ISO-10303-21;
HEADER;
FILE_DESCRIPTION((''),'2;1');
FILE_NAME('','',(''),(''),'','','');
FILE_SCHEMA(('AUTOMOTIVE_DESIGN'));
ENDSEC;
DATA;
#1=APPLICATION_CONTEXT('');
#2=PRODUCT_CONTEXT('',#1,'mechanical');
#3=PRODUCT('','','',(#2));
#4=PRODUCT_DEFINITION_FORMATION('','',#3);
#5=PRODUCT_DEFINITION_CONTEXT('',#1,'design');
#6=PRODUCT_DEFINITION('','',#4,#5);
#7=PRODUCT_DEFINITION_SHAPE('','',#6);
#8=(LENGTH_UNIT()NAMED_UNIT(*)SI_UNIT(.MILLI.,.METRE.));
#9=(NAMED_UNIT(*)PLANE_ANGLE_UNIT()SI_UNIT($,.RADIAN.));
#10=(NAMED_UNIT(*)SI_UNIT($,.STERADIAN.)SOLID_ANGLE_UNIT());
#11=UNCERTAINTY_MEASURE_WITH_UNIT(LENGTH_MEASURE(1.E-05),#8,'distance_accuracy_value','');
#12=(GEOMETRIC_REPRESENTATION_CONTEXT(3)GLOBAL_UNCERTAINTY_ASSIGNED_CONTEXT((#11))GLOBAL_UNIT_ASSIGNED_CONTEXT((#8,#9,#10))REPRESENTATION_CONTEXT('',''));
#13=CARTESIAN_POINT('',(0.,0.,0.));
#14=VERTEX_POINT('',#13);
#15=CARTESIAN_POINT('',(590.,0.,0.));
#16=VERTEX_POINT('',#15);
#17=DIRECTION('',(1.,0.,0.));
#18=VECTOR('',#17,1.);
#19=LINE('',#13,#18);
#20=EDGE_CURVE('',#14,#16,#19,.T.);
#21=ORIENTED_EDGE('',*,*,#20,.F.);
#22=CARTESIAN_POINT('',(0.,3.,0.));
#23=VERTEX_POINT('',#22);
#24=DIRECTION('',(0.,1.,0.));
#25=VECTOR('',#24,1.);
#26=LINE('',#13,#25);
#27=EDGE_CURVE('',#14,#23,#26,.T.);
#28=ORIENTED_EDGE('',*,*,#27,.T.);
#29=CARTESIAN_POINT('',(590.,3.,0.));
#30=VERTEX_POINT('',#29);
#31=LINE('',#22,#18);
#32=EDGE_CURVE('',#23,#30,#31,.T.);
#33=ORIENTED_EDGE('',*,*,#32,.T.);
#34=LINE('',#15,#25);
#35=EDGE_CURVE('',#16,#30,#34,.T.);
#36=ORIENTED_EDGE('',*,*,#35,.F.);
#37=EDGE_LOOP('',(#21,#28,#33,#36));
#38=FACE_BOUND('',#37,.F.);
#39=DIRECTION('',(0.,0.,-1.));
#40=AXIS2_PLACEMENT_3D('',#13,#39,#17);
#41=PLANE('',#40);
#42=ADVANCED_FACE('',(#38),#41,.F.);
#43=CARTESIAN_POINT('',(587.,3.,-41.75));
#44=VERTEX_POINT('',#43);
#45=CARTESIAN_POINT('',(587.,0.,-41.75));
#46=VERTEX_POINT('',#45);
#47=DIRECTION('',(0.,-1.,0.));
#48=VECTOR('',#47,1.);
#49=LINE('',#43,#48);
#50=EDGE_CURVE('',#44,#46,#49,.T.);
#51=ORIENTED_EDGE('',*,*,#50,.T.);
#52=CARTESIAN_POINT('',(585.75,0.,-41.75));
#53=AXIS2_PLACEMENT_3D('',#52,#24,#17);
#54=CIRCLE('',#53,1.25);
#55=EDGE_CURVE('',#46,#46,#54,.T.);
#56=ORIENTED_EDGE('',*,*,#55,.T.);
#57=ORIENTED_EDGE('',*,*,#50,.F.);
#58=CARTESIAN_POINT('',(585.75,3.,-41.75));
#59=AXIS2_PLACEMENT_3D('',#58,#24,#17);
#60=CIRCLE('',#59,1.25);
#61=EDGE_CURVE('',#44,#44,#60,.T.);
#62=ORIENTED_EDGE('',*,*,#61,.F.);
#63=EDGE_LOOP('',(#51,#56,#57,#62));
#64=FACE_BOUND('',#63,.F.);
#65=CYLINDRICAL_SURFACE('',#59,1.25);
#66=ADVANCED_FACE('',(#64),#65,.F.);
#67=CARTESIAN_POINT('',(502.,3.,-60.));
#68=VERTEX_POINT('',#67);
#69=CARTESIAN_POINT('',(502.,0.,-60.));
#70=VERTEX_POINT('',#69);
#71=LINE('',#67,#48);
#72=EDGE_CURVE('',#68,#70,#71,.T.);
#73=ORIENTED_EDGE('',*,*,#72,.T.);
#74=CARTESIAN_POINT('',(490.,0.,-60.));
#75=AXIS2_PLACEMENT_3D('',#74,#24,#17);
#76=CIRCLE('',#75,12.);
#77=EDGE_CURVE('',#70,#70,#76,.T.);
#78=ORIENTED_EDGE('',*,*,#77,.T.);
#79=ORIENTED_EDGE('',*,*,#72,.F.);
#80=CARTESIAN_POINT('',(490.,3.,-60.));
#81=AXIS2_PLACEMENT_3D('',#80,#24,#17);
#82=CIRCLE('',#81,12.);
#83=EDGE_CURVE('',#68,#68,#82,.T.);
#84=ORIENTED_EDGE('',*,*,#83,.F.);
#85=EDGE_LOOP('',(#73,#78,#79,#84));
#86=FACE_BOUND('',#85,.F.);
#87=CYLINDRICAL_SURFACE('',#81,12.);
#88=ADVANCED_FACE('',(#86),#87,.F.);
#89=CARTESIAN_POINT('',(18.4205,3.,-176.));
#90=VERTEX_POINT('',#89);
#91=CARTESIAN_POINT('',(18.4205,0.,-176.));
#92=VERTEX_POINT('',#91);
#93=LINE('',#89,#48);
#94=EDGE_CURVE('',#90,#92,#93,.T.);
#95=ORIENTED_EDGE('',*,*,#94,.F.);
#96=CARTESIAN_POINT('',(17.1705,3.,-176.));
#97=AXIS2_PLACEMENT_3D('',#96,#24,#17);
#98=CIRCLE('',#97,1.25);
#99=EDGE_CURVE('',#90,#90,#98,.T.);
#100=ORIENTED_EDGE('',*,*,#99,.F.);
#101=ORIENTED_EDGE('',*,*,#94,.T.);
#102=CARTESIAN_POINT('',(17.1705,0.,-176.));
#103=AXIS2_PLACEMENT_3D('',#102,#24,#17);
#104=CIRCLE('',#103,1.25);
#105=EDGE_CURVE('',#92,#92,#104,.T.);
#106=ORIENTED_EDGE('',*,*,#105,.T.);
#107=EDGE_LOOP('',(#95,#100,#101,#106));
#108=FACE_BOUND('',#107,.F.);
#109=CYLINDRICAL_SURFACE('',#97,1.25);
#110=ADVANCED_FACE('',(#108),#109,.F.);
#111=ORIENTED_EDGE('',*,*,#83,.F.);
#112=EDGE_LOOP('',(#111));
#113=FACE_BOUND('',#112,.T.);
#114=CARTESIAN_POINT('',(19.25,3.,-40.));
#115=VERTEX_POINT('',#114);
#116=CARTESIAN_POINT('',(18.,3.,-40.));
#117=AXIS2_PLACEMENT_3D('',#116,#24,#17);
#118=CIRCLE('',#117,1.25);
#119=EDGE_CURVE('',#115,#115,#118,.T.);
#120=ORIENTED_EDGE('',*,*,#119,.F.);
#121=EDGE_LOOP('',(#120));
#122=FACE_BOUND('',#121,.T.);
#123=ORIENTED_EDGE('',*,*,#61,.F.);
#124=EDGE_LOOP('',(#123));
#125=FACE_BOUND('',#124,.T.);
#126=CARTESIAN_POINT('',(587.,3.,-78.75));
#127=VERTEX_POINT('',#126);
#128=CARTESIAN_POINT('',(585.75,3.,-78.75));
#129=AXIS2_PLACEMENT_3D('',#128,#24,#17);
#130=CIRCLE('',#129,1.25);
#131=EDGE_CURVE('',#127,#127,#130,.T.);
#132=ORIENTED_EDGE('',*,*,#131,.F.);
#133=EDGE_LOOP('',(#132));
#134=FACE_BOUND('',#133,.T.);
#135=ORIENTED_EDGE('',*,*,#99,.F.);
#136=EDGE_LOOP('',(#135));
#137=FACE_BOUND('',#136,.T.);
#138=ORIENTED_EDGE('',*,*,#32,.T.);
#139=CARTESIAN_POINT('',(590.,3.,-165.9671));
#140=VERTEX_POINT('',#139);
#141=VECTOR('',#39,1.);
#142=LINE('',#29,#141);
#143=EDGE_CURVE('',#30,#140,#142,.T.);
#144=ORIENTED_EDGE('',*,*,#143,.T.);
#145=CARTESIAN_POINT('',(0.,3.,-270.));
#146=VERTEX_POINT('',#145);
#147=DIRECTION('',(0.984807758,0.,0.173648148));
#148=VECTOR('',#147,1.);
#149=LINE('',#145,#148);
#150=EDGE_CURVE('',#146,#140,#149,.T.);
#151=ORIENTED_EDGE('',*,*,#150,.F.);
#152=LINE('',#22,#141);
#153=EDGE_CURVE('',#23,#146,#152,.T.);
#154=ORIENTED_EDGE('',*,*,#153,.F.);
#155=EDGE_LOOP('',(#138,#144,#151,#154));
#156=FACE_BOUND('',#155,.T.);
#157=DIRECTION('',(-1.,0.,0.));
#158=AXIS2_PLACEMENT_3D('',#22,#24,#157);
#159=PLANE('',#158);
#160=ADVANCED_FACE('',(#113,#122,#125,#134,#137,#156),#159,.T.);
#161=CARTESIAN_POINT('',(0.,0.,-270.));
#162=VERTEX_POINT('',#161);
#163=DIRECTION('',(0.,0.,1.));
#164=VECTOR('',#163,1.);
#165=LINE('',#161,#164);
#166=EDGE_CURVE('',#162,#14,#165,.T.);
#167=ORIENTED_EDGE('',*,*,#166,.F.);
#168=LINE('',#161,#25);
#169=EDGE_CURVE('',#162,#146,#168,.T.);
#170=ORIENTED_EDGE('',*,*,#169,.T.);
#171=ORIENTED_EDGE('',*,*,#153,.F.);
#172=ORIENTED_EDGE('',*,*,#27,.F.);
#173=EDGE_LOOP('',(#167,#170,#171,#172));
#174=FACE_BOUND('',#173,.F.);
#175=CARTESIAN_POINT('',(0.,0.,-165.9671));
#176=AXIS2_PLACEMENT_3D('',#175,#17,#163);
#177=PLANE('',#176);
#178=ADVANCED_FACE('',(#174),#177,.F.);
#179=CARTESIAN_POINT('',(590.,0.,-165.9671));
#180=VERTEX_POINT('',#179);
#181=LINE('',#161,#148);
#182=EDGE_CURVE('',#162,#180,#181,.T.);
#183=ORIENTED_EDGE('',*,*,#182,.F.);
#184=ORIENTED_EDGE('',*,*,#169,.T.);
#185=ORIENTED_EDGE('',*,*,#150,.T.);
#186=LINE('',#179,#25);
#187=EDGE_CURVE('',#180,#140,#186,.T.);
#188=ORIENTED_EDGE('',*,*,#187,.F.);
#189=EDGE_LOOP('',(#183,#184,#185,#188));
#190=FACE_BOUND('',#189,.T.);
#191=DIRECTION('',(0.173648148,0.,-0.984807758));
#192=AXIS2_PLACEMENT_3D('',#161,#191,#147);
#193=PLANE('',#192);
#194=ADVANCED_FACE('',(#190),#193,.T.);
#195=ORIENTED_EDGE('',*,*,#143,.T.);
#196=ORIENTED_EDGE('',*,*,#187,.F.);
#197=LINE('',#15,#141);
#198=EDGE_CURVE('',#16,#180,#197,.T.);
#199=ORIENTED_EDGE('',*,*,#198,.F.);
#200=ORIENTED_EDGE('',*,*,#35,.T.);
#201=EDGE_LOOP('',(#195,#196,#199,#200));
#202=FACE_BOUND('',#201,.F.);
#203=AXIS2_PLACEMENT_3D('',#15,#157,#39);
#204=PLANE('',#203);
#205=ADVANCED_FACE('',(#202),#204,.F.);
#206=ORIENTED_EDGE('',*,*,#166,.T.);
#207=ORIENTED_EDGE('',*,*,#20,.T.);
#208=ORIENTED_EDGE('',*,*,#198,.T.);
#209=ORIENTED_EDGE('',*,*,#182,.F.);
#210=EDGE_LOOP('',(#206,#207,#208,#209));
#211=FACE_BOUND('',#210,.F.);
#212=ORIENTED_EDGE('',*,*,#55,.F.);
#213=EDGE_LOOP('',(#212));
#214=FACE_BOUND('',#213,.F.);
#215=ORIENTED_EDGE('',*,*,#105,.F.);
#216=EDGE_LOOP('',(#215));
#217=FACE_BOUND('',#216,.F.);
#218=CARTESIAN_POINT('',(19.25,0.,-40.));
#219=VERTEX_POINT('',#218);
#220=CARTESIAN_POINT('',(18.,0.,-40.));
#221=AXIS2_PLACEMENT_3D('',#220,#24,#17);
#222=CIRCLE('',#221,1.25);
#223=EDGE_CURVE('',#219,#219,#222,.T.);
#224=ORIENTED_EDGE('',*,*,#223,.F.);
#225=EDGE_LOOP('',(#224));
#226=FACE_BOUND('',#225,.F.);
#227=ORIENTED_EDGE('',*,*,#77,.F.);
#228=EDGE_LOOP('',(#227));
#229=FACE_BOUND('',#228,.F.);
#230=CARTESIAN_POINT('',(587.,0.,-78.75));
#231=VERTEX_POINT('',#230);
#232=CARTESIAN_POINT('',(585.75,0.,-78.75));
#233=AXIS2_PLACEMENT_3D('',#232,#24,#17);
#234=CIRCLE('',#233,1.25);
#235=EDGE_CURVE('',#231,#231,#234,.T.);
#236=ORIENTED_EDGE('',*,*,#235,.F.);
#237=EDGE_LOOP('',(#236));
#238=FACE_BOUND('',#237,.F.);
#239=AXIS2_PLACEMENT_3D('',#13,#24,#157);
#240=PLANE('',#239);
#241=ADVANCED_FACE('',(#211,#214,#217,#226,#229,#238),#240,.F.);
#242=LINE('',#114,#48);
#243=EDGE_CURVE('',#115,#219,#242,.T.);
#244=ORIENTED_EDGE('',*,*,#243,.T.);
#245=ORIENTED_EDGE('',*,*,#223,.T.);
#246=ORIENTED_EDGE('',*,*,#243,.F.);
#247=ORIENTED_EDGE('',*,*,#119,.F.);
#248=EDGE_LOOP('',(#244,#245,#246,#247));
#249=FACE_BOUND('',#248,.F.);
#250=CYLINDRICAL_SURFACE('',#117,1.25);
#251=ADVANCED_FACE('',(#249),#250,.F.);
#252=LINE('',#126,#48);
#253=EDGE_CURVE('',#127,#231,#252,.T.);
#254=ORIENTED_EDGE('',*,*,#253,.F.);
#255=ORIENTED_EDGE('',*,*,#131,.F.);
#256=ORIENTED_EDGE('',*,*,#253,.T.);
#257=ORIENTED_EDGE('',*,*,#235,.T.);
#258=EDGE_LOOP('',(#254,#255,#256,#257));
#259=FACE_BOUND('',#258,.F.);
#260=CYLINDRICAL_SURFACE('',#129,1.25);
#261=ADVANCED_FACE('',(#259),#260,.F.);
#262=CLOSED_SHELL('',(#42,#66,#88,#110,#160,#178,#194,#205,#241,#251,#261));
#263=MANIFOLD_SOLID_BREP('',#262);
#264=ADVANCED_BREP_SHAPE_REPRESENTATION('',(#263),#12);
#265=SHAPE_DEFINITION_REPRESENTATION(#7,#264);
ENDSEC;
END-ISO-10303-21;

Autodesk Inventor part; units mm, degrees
ref_plane "YZ Plane" through (0, 0, 0) normal (1, 0, 0) x (0, 1, 0)
ref_plane "XZ Plane" through (0, 0, 0) normal (0, 1, 0) x (-1, 0, 0)
ref_plane "XY Plane" through (0, 0, 0) normal (0, 0, 1) x (1, 0, 0)
sketch "Sketch1" plane through (0, 0, 0) normal (0, 1, 0) x (-1, 0, 0)
  line L0 (0, 0) -> (-590, 0)
  line L1 (-590, 0) -> (-590, -165.9671)
  line L2 (-590, -165.9671) -> (0, -165.9671)
  line L3 (0, -165.9671) -> (0, 0)
  line L4 (0, -165.9671) -> (0, -270)
  line L5 (0, -270) -> (-590, -165.9671)
  dimension "d0" = 590
  dimension "d28" = 270
  dimension "d29" = 10
extrude "Extrusion1" add sketch "Sketch1" along normal blind 3
sketch "Sketch3" plane through (0, 3, 0) normal (0, 1, 0) x (1, 0, 0)
  circle A0 centre (585.75, 41.75) radius 1.25
  circle A1 centre (585.75, 78.75) radius 1.25
  line L0 (590, 0) -> (590, 165.9671) projected
  line L1 (0, 0) -> (590, 0) projected
  dimension "d15" = 2.5
  dimension "d16" = 4.25
  dimension "d17" = 4.25
  dimension "d18" = 2.5
  dimension "d19" = 41.75
  dimension "d20" = 37
extrude "Extrusion3" cut sketch "Sketch3" along normal through all both and the other way through all
sketch "Sketch4" plane through (0, 3, 0) normal (0, 1, 0) x (1, 0, 0)
  circle A0 centre (490, 60) radius 12
  line L0 (0, 0) -> (590, 0) projected
  line L1 (590, 0) -> (590, 165.9671) projected
  line L2 (14.1705, 156) -> (20.1705, 156)
  line L3 (20.1705, 156) -> (20.1705, 144)
  line L4 (20.1705, 144) -> (14.1705, 144)
  line L5 (14.1705, 144) -> (14.1705, 156)
  line L6 (15, 114) -> (21, 114)
  line L7 (21, 114) -> (21, 102)
  line L8 (21, 102) -> (15, 102)
  line L9 (15, 102) -> (15, 114)
  line L10 (15, 72) -> (21, 72)
  line L11 (21, 72) -> (21, 60)
  line L12 (21, 60) -> (15, 60)
  line L13 (15, 60) -> (15, 72)
  circle A1 centre (17.1705, 176) radius 1.25
  circle A2 centre (18, 40) radius 1.25
  line L14 (18, 60) -> (18, 40) construction
  dimension "d23" = 24
  dimension "d24" = 60
  dimension "d25" = 100
  dimension "d30" = 6
  dimension "d31" = 12
  dimension "d32" = 30
  dimension "d33" = 30
  dimension "d34" = 2.5
  dimension "d35" = 2.5
  dimension "d36" = 20
  dimension "d37" = 20
  dimension "d38" = 60
extrude "Extrusion4" cut sketch "Sketch4" against normal through all contours A0 | A1 | A2
equation "\"d16\" = d17"
equation "\"d18\" = d15"
equation "\"d33\" = d32"
equation "\"d34\" = d35"
equation "\"d37\" = d36"
properties part number "pinball-case-left-wall-outer"
